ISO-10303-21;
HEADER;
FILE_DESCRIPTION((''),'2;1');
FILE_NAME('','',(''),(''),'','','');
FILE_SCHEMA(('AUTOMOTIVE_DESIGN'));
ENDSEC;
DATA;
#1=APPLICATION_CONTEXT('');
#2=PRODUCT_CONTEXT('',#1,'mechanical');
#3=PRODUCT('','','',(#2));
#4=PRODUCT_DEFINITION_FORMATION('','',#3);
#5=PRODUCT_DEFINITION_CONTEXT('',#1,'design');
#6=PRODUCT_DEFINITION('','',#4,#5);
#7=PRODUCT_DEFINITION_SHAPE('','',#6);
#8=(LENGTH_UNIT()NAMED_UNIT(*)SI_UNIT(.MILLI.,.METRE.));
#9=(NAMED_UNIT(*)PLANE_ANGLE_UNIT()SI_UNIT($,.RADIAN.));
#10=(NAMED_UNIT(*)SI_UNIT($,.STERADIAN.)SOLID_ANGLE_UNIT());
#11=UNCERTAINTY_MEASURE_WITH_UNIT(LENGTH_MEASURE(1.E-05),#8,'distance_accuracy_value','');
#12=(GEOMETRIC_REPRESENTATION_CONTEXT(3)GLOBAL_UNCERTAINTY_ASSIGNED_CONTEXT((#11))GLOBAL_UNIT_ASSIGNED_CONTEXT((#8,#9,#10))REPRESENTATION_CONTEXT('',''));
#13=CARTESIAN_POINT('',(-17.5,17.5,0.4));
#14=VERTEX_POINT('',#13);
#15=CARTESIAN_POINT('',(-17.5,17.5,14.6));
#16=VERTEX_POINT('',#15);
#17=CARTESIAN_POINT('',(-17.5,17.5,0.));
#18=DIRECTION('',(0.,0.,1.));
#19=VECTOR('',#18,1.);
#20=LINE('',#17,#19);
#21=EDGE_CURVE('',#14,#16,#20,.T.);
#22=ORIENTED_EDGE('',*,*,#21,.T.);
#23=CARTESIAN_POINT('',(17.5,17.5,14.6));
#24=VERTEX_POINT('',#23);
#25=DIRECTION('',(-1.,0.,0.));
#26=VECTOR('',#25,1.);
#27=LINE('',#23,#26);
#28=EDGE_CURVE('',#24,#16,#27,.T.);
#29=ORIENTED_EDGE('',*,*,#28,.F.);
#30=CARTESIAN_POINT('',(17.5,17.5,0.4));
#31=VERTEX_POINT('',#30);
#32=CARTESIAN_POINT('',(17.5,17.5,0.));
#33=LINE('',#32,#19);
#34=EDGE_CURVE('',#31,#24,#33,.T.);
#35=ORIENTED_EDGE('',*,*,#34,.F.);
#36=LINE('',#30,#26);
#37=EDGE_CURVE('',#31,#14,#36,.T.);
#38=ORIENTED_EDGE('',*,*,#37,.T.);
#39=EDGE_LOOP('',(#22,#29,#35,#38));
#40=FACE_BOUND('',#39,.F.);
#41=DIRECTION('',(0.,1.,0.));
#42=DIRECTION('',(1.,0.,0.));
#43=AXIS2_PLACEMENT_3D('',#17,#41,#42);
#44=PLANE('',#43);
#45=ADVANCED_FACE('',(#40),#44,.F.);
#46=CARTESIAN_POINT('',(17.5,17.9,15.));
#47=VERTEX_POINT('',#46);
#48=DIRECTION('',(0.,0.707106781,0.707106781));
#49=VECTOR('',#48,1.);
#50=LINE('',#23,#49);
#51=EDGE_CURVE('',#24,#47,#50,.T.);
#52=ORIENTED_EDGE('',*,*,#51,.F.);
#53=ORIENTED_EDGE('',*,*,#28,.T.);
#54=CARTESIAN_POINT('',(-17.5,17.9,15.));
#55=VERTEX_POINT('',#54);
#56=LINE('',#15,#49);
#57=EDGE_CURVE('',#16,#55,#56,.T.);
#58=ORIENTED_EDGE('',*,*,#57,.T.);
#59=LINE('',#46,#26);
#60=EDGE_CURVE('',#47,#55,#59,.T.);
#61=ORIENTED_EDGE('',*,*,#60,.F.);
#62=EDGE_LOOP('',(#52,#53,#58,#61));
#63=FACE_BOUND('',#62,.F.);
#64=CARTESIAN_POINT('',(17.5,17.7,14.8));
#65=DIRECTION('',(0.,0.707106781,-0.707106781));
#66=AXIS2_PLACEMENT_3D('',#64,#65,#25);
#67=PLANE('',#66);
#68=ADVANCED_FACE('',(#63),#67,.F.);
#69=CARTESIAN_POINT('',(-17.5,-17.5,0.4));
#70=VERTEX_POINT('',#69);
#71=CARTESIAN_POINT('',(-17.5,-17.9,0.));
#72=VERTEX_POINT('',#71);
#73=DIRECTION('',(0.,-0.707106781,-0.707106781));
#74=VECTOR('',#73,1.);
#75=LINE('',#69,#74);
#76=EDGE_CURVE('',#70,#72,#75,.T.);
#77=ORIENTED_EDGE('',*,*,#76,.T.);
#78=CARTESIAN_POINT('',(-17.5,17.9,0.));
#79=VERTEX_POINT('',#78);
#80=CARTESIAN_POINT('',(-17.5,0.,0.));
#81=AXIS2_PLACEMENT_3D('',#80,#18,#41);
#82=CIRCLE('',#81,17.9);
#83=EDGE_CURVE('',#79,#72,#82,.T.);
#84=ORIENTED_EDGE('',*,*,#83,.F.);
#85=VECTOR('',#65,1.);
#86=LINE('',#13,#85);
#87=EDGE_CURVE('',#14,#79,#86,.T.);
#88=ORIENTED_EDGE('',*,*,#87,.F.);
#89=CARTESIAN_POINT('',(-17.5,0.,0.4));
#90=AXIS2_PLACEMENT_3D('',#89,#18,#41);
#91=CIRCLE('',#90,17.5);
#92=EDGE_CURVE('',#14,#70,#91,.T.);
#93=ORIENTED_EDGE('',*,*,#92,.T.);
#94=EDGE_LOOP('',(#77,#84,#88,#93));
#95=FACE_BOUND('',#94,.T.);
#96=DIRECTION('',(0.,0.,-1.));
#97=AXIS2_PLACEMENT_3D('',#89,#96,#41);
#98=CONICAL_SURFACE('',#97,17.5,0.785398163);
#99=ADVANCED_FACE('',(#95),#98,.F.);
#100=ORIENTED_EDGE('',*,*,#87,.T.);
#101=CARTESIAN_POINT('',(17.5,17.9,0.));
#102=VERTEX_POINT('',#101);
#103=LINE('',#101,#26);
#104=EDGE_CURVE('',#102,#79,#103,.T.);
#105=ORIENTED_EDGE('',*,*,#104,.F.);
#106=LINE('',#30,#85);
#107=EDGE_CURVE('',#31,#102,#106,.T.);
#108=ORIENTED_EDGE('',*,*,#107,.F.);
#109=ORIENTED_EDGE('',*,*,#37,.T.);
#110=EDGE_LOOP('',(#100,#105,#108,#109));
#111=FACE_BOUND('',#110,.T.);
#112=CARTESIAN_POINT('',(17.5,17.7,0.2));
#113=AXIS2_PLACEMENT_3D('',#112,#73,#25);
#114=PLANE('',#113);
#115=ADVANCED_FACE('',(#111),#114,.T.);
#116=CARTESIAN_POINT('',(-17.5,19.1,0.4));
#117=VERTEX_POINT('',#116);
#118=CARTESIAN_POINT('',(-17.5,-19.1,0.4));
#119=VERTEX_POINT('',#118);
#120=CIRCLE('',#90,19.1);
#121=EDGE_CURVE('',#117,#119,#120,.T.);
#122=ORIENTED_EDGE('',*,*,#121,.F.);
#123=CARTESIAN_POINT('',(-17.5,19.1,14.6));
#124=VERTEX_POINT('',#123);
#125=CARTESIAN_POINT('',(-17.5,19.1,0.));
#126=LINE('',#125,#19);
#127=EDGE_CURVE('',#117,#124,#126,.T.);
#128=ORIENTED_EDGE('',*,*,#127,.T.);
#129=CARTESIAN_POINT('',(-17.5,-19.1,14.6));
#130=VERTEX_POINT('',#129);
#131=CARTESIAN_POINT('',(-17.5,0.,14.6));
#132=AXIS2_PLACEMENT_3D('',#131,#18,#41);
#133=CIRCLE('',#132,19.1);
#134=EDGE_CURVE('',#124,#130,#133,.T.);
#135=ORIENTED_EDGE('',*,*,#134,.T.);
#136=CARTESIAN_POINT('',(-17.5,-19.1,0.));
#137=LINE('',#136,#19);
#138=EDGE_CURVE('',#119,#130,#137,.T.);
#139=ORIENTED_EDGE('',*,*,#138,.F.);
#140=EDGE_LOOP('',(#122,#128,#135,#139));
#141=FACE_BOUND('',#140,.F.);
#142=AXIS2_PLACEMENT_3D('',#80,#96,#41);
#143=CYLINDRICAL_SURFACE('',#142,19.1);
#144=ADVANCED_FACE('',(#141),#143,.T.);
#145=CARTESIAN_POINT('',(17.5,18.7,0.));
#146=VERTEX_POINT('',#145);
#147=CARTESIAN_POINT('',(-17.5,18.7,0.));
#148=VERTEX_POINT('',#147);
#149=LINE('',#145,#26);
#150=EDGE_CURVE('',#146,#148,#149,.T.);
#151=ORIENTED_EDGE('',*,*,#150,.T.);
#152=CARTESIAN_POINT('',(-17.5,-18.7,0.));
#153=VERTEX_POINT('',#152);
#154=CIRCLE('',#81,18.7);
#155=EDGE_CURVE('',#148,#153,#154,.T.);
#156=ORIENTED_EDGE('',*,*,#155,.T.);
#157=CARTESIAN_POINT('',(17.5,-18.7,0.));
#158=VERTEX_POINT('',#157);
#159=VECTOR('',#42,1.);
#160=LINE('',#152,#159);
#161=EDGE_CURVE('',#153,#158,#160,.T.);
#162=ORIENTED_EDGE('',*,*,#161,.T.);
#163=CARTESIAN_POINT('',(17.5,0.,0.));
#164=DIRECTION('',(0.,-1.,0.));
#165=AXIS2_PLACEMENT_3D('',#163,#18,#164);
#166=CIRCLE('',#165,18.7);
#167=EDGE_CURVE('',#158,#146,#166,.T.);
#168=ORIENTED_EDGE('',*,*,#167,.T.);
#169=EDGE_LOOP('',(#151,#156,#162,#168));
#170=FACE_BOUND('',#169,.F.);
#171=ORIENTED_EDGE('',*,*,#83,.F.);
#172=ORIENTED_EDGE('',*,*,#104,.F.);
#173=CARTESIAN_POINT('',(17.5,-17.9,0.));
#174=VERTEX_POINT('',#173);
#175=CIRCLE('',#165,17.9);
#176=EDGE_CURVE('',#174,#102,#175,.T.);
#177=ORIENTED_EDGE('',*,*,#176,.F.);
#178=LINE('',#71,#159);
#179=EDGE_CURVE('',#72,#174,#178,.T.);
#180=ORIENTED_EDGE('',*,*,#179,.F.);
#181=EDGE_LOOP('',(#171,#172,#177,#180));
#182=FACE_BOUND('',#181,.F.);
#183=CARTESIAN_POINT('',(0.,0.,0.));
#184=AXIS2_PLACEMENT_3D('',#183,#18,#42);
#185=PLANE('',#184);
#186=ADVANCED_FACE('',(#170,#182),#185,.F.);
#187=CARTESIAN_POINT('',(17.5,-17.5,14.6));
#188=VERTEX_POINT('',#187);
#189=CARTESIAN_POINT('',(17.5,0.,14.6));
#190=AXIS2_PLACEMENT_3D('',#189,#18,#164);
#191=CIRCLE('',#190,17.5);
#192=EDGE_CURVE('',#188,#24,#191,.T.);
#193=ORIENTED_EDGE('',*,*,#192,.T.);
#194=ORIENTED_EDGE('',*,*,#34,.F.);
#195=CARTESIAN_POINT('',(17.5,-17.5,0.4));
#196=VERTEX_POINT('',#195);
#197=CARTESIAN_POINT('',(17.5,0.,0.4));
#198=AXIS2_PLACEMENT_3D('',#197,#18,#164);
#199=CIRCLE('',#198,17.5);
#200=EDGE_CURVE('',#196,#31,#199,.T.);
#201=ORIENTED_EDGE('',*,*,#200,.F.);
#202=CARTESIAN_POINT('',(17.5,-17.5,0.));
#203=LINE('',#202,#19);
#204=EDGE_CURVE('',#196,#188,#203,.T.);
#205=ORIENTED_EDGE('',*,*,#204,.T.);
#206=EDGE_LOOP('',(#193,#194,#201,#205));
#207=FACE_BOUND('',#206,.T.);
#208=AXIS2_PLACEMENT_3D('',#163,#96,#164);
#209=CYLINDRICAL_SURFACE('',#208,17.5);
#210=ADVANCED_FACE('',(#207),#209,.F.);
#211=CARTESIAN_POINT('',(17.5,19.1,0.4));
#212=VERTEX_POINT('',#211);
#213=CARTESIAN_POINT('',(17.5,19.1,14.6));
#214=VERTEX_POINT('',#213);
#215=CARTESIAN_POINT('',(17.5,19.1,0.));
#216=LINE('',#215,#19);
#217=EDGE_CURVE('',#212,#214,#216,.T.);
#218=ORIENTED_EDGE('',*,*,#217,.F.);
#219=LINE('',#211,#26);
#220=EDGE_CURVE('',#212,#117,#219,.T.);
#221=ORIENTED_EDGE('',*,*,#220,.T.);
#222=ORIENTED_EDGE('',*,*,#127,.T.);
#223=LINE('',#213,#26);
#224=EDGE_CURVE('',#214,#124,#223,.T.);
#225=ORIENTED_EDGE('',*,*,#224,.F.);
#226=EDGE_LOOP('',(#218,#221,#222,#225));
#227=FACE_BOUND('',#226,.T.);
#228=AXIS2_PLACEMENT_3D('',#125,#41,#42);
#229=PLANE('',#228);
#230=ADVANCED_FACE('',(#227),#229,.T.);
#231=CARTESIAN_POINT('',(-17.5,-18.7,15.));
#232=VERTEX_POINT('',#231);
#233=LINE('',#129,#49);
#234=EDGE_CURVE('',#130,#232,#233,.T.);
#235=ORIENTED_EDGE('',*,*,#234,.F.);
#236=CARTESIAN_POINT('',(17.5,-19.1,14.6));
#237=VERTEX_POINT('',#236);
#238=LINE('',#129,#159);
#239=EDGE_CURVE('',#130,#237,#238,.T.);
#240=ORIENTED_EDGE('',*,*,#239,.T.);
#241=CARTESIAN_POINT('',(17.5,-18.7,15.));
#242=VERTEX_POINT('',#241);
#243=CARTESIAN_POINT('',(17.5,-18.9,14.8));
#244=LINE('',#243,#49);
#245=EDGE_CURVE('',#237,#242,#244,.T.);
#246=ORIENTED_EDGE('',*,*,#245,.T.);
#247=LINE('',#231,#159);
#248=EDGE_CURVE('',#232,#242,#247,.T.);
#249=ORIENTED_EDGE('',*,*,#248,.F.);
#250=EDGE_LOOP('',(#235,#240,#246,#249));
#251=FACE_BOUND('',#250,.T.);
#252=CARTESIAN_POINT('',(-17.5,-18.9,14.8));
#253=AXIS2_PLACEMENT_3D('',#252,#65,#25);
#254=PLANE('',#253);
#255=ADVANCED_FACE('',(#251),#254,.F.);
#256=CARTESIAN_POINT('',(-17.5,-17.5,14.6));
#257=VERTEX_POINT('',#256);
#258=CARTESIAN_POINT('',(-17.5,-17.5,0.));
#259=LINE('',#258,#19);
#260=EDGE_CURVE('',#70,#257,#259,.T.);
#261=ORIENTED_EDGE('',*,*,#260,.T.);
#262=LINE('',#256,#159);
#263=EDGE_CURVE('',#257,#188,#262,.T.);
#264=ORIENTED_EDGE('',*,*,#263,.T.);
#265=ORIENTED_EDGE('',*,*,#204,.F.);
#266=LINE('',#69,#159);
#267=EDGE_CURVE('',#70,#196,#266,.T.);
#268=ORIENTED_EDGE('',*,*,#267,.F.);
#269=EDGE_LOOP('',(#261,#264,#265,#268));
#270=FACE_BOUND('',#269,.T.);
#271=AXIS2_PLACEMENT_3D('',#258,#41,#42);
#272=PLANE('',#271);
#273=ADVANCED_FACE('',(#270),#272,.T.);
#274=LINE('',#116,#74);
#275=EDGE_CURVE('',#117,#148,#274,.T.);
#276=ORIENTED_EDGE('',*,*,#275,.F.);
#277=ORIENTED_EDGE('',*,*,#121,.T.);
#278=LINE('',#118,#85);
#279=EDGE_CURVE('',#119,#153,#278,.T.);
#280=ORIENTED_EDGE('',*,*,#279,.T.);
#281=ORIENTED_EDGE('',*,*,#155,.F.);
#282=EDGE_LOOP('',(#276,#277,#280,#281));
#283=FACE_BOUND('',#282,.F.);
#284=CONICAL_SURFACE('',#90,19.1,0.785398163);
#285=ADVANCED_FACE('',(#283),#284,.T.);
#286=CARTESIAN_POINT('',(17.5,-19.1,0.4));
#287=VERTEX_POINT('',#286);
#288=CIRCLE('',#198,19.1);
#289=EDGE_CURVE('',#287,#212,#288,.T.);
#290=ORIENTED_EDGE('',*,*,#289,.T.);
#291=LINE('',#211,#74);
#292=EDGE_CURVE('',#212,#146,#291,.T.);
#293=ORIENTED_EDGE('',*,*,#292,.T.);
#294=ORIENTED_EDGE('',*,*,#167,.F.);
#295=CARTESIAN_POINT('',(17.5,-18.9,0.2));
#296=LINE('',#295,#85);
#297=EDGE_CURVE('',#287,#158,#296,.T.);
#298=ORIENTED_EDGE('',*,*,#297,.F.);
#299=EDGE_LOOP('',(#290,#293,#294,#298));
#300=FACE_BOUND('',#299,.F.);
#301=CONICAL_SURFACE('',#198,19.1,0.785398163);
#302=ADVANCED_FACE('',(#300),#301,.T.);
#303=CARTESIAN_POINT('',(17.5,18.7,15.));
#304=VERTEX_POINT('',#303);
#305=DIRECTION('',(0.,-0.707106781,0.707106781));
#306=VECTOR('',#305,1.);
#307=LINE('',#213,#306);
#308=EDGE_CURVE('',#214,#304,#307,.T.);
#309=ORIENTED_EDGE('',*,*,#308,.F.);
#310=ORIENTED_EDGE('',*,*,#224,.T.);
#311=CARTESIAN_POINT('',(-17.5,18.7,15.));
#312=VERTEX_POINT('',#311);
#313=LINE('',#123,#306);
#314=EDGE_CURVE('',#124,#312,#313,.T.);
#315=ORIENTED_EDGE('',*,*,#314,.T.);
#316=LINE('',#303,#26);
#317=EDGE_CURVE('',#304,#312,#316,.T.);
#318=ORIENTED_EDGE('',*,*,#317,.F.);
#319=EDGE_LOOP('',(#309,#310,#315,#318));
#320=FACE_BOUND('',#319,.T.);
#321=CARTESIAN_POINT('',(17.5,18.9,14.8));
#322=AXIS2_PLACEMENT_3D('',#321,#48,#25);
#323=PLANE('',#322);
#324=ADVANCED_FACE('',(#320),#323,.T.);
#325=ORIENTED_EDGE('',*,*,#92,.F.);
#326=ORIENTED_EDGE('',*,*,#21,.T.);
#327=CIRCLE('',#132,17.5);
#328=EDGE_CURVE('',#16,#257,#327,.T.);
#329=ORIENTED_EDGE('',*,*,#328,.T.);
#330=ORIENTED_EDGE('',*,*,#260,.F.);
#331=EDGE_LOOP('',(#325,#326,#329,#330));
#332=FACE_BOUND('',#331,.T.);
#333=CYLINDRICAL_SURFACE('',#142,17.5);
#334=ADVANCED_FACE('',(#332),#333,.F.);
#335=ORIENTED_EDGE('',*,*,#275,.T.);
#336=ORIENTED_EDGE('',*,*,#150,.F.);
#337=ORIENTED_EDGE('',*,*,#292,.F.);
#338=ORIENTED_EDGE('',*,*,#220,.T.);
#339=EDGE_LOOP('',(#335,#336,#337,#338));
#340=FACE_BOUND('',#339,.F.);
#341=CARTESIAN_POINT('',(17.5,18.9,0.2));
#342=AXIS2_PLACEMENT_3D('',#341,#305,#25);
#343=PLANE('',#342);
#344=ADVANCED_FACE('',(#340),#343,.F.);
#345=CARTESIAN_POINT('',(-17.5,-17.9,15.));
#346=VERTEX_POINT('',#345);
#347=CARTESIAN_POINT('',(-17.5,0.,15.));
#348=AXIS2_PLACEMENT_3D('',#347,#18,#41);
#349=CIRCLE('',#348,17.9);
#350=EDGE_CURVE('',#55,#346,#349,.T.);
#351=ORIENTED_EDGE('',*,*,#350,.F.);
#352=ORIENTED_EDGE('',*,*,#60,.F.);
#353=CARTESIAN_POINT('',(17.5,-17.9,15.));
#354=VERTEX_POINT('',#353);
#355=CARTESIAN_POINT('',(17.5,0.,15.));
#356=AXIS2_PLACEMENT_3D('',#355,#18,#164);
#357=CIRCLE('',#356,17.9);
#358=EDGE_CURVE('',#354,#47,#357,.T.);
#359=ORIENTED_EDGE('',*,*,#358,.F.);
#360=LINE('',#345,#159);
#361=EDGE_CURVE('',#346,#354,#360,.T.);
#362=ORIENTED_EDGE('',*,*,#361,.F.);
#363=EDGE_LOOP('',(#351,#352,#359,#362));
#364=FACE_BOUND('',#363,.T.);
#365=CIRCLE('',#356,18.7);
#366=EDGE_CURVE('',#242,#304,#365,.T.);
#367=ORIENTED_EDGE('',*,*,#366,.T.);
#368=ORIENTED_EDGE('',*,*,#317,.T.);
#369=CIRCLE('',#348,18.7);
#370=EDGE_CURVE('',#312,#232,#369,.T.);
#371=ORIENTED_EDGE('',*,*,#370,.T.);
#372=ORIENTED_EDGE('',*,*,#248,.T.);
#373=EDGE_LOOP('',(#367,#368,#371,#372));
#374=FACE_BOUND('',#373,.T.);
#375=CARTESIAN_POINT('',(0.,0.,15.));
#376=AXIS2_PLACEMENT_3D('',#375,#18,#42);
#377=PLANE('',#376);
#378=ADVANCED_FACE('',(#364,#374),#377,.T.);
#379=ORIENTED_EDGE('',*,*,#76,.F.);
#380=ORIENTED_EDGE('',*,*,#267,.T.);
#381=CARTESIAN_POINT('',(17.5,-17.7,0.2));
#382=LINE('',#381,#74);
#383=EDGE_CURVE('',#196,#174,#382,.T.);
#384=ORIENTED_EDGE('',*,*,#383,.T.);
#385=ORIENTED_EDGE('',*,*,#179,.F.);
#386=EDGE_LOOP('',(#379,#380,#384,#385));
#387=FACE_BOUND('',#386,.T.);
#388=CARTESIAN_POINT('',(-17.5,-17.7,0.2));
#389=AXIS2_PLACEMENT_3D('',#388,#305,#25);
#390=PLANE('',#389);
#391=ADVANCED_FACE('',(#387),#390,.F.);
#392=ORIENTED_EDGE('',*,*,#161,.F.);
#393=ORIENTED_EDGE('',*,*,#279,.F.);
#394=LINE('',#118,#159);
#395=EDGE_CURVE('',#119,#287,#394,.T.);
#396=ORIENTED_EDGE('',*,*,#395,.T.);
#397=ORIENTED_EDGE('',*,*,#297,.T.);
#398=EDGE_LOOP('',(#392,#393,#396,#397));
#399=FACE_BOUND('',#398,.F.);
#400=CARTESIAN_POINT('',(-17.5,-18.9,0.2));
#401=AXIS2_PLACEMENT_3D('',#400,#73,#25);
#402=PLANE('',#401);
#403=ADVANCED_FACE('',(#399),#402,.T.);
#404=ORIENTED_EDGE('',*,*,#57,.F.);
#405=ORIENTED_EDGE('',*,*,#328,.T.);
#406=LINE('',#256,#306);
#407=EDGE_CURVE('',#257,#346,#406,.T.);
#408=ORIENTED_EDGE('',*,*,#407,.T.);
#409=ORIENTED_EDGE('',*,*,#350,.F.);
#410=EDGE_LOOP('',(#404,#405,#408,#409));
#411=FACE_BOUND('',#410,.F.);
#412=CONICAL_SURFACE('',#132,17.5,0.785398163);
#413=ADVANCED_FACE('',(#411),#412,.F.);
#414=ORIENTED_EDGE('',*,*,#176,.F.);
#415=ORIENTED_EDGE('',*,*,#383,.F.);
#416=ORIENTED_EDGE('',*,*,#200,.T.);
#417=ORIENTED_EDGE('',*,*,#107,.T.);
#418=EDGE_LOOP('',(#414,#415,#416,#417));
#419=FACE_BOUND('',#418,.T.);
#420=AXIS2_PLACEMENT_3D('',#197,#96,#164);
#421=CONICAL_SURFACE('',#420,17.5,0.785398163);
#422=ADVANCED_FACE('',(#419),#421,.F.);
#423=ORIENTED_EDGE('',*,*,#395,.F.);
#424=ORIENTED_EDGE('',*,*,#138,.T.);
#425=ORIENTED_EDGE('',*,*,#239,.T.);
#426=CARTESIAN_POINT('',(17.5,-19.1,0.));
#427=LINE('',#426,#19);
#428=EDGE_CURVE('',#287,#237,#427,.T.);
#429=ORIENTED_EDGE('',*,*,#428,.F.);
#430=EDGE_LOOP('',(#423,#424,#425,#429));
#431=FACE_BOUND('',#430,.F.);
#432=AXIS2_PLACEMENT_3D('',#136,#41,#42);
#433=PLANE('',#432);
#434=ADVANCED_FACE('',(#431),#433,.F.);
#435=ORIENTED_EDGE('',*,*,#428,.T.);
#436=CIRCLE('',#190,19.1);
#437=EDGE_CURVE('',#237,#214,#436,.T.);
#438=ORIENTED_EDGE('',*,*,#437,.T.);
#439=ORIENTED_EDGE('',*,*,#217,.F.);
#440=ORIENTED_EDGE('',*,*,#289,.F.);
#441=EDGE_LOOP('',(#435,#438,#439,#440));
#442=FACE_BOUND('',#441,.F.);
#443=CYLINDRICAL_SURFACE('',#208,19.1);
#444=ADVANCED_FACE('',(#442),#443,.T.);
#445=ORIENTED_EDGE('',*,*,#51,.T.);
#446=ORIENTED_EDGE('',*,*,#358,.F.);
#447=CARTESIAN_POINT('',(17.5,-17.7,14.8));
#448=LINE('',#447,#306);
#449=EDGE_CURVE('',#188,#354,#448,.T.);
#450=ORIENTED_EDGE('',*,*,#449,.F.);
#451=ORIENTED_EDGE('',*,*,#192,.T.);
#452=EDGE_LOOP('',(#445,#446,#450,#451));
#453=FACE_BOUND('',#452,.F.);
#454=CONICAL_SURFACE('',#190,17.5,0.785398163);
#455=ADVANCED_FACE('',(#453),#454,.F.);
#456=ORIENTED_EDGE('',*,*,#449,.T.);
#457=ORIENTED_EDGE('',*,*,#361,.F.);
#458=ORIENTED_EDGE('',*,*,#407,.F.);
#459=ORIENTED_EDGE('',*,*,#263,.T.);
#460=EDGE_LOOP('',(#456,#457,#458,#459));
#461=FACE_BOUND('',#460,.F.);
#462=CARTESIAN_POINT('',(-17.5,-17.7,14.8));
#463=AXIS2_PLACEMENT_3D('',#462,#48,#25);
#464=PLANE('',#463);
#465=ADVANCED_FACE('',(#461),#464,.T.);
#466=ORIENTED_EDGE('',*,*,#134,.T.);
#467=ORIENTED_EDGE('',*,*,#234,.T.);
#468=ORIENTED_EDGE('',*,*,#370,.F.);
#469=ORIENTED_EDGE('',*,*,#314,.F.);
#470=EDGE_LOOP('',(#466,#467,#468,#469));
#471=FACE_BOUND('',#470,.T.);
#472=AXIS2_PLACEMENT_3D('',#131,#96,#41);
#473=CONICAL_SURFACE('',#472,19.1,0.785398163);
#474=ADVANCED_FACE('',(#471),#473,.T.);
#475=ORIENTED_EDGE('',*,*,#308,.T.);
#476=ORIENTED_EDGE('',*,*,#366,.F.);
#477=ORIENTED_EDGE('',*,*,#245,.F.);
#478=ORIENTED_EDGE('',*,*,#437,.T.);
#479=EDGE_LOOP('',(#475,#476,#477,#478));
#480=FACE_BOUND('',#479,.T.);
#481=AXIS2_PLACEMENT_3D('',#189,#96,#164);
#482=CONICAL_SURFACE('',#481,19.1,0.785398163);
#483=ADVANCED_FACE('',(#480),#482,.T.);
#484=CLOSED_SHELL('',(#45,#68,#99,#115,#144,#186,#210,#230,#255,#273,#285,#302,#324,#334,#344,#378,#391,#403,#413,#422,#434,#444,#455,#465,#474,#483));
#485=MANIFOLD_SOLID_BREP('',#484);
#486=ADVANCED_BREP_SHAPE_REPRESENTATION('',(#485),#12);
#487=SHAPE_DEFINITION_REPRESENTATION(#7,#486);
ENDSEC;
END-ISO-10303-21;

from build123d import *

# Parameters (mm, degrees)
PAD_DEPTH    = 15
CHAMFER_SIZE = 0.4


with BuildPart() as part:
    # Sketch → Pad (new body)
    with BuildSketch(Plane.XY):
        with BuildLine():
            ThreePointArc((-17.5, 19.1), (-36.6, 0), (-17.5, -19.1))
            Line((-17.5, -19.1), (17.5, -19.1))
            ThreePointArc((17.5, -19.1), (36.6, 0), (17.5, 19.1))
            Line((-17.5, 19.1), (17.5, 19.1))
        make_face()
        with BuildLine():
            ThreePointArc((-17.5, 17.5), (-35, 0), (-17.5, -17.5))
            Line((-17.5, -17.5), (17.5, -17.5))
            ThreePointArc((17.5, -17.5), (35, 0), (17.5, 17.5))
            Line((-17.5, 17.5), (17.5, 17.5))
        make_face(mode=Mode.SUBTRACT)
    extrude(amount=PAD_DEPTH)

    # Chamfer
    chamfer_edges = [part.edges().sort_by_distance(p)[0] for p in [
        (-36.6, 0, 15),
        (0, -19.1, 15),
        (36.6, 0, 15),
        (0, 19.1, 15),
        (-35, 0, 15),
        (0, -17.5, 15),
        (35, 0, 15),
        (0, 17.5, 15),
        (-36.6, 0, 0),
        (0, -19.1, 0),
        (36.6, 0, 0),
        (0, 19.1, 0),
        (-35, 0, 0),
        (0, -17.5, 0),
        (35, 0, 0),
        (0, 17.5, 0),
    ]]
    chamfer(chamfer_edges, length=CHAMFER_SIZE)


solid = part.part
